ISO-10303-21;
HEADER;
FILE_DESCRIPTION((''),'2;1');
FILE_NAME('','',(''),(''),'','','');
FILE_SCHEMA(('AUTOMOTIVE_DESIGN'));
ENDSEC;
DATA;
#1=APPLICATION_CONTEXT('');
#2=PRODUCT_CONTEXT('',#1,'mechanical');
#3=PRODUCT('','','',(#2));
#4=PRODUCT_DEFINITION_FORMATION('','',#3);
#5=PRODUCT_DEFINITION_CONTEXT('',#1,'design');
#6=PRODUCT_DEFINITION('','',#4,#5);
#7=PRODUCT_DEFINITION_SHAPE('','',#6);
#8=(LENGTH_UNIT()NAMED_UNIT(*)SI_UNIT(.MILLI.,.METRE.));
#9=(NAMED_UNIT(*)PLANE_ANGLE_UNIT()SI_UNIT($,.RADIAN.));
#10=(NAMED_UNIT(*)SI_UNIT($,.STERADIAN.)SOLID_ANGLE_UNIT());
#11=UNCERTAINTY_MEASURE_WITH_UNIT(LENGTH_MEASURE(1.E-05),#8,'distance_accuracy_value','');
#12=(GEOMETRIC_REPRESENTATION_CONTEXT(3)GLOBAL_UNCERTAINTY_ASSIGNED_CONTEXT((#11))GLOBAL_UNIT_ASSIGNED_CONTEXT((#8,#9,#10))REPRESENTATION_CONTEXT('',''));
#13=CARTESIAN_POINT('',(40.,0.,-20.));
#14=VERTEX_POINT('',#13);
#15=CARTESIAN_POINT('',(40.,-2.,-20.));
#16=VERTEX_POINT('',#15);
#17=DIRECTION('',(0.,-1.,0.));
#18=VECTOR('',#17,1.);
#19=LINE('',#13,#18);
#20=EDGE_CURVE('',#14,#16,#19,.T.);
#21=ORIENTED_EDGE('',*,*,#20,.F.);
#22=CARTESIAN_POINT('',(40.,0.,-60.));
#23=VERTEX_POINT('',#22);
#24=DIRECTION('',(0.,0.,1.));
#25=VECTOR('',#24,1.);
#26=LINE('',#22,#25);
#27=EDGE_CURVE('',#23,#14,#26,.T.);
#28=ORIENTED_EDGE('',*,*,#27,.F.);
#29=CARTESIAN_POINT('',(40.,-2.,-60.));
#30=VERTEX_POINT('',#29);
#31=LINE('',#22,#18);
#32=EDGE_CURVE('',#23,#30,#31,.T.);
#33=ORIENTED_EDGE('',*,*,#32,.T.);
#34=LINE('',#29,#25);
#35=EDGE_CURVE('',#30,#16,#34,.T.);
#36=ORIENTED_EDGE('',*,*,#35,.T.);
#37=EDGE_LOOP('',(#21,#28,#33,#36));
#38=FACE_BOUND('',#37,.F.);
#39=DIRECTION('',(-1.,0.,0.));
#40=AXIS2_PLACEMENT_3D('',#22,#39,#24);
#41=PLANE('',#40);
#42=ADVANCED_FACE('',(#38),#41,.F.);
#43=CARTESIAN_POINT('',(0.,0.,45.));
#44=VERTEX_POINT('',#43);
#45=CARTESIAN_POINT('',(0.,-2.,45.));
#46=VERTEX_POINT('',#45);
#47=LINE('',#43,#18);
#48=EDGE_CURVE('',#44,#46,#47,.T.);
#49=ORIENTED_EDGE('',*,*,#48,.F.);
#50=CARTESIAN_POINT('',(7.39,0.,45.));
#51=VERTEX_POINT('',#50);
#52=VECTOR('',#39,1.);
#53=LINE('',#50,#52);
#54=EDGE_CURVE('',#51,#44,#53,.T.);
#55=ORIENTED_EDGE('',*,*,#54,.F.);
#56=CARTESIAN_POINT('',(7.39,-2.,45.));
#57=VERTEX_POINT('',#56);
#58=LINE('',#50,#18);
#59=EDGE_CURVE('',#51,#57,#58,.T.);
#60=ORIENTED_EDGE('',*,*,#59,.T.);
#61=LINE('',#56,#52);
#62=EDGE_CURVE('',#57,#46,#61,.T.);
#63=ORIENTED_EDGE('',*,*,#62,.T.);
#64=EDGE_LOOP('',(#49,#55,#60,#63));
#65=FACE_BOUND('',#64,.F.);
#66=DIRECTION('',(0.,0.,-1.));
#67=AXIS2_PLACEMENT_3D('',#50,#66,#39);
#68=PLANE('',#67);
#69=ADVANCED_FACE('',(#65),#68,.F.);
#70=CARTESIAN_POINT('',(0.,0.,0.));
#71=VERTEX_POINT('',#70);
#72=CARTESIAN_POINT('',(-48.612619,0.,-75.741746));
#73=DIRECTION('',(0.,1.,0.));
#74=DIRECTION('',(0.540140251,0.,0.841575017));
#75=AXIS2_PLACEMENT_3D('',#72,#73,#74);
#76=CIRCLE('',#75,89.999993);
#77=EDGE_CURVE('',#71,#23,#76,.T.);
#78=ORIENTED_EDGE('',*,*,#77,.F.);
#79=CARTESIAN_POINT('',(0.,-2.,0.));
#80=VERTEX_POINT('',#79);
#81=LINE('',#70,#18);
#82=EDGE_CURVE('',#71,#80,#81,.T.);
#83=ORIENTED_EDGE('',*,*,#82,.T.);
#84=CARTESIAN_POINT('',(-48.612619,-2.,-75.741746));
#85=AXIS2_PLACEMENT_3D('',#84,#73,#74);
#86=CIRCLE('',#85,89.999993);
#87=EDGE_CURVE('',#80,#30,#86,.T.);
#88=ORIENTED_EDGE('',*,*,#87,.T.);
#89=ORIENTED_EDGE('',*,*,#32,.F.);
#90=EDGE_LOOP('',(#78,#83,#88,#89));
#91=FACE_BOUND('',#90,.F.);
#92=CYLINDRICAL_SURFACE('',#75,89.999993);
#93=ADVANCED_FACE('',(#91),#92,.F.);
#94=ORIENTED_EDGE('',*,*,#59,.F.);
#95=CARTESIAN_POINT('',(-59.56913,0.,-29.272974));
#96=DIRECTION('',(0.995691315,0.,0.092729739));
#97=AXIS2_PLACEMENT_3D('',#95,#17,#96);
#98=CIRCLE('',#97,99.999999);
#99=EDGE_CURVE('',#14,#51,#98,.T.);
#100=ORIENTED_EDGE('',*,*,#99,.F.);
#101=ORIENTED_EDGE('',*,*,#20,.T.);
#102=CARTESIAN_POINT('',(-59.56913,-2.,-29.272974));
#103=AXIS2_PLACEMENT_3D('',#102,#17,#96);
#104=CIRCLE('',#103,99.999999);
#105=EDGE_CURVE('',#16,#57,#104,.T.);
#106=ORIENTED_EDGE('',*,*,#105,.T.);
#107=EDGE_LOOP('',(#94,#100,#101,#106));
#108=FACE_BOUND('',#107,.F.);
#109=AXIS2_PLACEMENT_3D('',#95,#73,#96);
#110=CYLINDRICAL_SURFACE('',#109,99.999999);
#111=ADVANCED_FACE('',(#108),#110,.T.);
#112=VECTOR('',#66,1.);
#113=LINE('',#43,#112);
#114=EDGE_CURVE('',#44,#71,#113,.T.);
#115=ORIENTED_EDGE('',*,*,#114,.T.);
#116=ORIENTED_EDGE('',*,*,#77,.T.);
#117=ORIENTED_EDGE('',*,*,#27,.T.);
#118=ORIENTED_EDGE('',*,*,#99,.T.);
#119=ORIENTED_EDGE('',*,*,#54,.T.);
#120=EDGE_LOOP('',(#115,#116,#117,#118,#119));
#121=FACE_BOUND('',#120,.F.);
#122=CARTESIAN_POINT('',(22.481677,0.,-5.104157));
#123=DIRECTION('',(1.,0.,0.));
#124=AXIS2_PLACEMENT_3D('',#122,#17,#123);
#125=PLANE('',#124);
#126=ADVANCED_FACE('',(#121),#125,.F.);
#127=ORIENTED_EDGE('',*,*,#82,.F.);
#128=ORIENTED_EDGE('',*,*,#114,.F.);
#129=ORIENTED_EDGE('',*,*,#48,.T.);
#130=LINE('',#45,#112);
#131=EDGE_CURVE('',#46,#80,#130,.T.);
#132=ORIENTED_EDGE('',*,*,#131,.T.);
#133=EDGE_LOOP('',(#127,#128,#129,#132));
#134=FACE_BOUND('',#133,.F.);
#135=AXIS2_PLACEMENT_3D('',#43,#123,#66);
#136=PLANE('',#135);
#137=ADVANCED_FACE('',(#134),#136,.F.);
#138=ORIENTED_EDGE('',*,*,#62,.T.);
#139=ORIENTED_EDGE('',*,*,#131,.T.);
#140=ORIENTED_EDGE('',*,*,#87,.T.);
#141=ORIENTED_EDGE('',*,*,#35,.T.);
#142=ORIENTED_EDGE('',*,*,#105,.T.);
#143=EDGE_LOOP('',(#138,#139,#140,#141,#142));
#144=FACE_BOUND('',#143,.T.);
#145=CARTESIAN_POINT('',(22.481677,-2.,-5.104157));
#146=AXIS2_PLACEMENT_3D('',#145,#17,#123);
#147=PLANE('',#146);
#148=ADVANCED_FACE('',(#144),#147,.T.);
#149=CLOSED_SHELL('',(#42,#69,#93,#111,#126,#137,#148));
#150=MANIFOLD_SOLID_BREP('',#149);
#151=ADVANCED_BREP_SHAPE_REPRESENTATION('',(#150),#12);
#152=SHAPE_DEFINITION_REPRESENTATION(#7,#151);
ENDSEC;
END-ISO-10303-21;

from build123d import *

# Parameters (mm, degrees)
F1_DEPTH = 2


with BuildPart() as f1:
    # F0 (on Front) → F1 (new body)
    with BuildSketch(Plane.XZ):
        with BuildLine():
            Line((0, 45), (0, 0))
            ThreePointArc((0, 0), (26.271902, -25.818732), (40, -60))
            Line((40, -60), (40, -20))
            ThreePointArc((40, -20), (29.813001, 15.569354), (7.39, 45))
            Line((7.39, 45), (0, 45))
        make_face()
    extrude(amount=F1_DEPTH)


solid = f1.part
